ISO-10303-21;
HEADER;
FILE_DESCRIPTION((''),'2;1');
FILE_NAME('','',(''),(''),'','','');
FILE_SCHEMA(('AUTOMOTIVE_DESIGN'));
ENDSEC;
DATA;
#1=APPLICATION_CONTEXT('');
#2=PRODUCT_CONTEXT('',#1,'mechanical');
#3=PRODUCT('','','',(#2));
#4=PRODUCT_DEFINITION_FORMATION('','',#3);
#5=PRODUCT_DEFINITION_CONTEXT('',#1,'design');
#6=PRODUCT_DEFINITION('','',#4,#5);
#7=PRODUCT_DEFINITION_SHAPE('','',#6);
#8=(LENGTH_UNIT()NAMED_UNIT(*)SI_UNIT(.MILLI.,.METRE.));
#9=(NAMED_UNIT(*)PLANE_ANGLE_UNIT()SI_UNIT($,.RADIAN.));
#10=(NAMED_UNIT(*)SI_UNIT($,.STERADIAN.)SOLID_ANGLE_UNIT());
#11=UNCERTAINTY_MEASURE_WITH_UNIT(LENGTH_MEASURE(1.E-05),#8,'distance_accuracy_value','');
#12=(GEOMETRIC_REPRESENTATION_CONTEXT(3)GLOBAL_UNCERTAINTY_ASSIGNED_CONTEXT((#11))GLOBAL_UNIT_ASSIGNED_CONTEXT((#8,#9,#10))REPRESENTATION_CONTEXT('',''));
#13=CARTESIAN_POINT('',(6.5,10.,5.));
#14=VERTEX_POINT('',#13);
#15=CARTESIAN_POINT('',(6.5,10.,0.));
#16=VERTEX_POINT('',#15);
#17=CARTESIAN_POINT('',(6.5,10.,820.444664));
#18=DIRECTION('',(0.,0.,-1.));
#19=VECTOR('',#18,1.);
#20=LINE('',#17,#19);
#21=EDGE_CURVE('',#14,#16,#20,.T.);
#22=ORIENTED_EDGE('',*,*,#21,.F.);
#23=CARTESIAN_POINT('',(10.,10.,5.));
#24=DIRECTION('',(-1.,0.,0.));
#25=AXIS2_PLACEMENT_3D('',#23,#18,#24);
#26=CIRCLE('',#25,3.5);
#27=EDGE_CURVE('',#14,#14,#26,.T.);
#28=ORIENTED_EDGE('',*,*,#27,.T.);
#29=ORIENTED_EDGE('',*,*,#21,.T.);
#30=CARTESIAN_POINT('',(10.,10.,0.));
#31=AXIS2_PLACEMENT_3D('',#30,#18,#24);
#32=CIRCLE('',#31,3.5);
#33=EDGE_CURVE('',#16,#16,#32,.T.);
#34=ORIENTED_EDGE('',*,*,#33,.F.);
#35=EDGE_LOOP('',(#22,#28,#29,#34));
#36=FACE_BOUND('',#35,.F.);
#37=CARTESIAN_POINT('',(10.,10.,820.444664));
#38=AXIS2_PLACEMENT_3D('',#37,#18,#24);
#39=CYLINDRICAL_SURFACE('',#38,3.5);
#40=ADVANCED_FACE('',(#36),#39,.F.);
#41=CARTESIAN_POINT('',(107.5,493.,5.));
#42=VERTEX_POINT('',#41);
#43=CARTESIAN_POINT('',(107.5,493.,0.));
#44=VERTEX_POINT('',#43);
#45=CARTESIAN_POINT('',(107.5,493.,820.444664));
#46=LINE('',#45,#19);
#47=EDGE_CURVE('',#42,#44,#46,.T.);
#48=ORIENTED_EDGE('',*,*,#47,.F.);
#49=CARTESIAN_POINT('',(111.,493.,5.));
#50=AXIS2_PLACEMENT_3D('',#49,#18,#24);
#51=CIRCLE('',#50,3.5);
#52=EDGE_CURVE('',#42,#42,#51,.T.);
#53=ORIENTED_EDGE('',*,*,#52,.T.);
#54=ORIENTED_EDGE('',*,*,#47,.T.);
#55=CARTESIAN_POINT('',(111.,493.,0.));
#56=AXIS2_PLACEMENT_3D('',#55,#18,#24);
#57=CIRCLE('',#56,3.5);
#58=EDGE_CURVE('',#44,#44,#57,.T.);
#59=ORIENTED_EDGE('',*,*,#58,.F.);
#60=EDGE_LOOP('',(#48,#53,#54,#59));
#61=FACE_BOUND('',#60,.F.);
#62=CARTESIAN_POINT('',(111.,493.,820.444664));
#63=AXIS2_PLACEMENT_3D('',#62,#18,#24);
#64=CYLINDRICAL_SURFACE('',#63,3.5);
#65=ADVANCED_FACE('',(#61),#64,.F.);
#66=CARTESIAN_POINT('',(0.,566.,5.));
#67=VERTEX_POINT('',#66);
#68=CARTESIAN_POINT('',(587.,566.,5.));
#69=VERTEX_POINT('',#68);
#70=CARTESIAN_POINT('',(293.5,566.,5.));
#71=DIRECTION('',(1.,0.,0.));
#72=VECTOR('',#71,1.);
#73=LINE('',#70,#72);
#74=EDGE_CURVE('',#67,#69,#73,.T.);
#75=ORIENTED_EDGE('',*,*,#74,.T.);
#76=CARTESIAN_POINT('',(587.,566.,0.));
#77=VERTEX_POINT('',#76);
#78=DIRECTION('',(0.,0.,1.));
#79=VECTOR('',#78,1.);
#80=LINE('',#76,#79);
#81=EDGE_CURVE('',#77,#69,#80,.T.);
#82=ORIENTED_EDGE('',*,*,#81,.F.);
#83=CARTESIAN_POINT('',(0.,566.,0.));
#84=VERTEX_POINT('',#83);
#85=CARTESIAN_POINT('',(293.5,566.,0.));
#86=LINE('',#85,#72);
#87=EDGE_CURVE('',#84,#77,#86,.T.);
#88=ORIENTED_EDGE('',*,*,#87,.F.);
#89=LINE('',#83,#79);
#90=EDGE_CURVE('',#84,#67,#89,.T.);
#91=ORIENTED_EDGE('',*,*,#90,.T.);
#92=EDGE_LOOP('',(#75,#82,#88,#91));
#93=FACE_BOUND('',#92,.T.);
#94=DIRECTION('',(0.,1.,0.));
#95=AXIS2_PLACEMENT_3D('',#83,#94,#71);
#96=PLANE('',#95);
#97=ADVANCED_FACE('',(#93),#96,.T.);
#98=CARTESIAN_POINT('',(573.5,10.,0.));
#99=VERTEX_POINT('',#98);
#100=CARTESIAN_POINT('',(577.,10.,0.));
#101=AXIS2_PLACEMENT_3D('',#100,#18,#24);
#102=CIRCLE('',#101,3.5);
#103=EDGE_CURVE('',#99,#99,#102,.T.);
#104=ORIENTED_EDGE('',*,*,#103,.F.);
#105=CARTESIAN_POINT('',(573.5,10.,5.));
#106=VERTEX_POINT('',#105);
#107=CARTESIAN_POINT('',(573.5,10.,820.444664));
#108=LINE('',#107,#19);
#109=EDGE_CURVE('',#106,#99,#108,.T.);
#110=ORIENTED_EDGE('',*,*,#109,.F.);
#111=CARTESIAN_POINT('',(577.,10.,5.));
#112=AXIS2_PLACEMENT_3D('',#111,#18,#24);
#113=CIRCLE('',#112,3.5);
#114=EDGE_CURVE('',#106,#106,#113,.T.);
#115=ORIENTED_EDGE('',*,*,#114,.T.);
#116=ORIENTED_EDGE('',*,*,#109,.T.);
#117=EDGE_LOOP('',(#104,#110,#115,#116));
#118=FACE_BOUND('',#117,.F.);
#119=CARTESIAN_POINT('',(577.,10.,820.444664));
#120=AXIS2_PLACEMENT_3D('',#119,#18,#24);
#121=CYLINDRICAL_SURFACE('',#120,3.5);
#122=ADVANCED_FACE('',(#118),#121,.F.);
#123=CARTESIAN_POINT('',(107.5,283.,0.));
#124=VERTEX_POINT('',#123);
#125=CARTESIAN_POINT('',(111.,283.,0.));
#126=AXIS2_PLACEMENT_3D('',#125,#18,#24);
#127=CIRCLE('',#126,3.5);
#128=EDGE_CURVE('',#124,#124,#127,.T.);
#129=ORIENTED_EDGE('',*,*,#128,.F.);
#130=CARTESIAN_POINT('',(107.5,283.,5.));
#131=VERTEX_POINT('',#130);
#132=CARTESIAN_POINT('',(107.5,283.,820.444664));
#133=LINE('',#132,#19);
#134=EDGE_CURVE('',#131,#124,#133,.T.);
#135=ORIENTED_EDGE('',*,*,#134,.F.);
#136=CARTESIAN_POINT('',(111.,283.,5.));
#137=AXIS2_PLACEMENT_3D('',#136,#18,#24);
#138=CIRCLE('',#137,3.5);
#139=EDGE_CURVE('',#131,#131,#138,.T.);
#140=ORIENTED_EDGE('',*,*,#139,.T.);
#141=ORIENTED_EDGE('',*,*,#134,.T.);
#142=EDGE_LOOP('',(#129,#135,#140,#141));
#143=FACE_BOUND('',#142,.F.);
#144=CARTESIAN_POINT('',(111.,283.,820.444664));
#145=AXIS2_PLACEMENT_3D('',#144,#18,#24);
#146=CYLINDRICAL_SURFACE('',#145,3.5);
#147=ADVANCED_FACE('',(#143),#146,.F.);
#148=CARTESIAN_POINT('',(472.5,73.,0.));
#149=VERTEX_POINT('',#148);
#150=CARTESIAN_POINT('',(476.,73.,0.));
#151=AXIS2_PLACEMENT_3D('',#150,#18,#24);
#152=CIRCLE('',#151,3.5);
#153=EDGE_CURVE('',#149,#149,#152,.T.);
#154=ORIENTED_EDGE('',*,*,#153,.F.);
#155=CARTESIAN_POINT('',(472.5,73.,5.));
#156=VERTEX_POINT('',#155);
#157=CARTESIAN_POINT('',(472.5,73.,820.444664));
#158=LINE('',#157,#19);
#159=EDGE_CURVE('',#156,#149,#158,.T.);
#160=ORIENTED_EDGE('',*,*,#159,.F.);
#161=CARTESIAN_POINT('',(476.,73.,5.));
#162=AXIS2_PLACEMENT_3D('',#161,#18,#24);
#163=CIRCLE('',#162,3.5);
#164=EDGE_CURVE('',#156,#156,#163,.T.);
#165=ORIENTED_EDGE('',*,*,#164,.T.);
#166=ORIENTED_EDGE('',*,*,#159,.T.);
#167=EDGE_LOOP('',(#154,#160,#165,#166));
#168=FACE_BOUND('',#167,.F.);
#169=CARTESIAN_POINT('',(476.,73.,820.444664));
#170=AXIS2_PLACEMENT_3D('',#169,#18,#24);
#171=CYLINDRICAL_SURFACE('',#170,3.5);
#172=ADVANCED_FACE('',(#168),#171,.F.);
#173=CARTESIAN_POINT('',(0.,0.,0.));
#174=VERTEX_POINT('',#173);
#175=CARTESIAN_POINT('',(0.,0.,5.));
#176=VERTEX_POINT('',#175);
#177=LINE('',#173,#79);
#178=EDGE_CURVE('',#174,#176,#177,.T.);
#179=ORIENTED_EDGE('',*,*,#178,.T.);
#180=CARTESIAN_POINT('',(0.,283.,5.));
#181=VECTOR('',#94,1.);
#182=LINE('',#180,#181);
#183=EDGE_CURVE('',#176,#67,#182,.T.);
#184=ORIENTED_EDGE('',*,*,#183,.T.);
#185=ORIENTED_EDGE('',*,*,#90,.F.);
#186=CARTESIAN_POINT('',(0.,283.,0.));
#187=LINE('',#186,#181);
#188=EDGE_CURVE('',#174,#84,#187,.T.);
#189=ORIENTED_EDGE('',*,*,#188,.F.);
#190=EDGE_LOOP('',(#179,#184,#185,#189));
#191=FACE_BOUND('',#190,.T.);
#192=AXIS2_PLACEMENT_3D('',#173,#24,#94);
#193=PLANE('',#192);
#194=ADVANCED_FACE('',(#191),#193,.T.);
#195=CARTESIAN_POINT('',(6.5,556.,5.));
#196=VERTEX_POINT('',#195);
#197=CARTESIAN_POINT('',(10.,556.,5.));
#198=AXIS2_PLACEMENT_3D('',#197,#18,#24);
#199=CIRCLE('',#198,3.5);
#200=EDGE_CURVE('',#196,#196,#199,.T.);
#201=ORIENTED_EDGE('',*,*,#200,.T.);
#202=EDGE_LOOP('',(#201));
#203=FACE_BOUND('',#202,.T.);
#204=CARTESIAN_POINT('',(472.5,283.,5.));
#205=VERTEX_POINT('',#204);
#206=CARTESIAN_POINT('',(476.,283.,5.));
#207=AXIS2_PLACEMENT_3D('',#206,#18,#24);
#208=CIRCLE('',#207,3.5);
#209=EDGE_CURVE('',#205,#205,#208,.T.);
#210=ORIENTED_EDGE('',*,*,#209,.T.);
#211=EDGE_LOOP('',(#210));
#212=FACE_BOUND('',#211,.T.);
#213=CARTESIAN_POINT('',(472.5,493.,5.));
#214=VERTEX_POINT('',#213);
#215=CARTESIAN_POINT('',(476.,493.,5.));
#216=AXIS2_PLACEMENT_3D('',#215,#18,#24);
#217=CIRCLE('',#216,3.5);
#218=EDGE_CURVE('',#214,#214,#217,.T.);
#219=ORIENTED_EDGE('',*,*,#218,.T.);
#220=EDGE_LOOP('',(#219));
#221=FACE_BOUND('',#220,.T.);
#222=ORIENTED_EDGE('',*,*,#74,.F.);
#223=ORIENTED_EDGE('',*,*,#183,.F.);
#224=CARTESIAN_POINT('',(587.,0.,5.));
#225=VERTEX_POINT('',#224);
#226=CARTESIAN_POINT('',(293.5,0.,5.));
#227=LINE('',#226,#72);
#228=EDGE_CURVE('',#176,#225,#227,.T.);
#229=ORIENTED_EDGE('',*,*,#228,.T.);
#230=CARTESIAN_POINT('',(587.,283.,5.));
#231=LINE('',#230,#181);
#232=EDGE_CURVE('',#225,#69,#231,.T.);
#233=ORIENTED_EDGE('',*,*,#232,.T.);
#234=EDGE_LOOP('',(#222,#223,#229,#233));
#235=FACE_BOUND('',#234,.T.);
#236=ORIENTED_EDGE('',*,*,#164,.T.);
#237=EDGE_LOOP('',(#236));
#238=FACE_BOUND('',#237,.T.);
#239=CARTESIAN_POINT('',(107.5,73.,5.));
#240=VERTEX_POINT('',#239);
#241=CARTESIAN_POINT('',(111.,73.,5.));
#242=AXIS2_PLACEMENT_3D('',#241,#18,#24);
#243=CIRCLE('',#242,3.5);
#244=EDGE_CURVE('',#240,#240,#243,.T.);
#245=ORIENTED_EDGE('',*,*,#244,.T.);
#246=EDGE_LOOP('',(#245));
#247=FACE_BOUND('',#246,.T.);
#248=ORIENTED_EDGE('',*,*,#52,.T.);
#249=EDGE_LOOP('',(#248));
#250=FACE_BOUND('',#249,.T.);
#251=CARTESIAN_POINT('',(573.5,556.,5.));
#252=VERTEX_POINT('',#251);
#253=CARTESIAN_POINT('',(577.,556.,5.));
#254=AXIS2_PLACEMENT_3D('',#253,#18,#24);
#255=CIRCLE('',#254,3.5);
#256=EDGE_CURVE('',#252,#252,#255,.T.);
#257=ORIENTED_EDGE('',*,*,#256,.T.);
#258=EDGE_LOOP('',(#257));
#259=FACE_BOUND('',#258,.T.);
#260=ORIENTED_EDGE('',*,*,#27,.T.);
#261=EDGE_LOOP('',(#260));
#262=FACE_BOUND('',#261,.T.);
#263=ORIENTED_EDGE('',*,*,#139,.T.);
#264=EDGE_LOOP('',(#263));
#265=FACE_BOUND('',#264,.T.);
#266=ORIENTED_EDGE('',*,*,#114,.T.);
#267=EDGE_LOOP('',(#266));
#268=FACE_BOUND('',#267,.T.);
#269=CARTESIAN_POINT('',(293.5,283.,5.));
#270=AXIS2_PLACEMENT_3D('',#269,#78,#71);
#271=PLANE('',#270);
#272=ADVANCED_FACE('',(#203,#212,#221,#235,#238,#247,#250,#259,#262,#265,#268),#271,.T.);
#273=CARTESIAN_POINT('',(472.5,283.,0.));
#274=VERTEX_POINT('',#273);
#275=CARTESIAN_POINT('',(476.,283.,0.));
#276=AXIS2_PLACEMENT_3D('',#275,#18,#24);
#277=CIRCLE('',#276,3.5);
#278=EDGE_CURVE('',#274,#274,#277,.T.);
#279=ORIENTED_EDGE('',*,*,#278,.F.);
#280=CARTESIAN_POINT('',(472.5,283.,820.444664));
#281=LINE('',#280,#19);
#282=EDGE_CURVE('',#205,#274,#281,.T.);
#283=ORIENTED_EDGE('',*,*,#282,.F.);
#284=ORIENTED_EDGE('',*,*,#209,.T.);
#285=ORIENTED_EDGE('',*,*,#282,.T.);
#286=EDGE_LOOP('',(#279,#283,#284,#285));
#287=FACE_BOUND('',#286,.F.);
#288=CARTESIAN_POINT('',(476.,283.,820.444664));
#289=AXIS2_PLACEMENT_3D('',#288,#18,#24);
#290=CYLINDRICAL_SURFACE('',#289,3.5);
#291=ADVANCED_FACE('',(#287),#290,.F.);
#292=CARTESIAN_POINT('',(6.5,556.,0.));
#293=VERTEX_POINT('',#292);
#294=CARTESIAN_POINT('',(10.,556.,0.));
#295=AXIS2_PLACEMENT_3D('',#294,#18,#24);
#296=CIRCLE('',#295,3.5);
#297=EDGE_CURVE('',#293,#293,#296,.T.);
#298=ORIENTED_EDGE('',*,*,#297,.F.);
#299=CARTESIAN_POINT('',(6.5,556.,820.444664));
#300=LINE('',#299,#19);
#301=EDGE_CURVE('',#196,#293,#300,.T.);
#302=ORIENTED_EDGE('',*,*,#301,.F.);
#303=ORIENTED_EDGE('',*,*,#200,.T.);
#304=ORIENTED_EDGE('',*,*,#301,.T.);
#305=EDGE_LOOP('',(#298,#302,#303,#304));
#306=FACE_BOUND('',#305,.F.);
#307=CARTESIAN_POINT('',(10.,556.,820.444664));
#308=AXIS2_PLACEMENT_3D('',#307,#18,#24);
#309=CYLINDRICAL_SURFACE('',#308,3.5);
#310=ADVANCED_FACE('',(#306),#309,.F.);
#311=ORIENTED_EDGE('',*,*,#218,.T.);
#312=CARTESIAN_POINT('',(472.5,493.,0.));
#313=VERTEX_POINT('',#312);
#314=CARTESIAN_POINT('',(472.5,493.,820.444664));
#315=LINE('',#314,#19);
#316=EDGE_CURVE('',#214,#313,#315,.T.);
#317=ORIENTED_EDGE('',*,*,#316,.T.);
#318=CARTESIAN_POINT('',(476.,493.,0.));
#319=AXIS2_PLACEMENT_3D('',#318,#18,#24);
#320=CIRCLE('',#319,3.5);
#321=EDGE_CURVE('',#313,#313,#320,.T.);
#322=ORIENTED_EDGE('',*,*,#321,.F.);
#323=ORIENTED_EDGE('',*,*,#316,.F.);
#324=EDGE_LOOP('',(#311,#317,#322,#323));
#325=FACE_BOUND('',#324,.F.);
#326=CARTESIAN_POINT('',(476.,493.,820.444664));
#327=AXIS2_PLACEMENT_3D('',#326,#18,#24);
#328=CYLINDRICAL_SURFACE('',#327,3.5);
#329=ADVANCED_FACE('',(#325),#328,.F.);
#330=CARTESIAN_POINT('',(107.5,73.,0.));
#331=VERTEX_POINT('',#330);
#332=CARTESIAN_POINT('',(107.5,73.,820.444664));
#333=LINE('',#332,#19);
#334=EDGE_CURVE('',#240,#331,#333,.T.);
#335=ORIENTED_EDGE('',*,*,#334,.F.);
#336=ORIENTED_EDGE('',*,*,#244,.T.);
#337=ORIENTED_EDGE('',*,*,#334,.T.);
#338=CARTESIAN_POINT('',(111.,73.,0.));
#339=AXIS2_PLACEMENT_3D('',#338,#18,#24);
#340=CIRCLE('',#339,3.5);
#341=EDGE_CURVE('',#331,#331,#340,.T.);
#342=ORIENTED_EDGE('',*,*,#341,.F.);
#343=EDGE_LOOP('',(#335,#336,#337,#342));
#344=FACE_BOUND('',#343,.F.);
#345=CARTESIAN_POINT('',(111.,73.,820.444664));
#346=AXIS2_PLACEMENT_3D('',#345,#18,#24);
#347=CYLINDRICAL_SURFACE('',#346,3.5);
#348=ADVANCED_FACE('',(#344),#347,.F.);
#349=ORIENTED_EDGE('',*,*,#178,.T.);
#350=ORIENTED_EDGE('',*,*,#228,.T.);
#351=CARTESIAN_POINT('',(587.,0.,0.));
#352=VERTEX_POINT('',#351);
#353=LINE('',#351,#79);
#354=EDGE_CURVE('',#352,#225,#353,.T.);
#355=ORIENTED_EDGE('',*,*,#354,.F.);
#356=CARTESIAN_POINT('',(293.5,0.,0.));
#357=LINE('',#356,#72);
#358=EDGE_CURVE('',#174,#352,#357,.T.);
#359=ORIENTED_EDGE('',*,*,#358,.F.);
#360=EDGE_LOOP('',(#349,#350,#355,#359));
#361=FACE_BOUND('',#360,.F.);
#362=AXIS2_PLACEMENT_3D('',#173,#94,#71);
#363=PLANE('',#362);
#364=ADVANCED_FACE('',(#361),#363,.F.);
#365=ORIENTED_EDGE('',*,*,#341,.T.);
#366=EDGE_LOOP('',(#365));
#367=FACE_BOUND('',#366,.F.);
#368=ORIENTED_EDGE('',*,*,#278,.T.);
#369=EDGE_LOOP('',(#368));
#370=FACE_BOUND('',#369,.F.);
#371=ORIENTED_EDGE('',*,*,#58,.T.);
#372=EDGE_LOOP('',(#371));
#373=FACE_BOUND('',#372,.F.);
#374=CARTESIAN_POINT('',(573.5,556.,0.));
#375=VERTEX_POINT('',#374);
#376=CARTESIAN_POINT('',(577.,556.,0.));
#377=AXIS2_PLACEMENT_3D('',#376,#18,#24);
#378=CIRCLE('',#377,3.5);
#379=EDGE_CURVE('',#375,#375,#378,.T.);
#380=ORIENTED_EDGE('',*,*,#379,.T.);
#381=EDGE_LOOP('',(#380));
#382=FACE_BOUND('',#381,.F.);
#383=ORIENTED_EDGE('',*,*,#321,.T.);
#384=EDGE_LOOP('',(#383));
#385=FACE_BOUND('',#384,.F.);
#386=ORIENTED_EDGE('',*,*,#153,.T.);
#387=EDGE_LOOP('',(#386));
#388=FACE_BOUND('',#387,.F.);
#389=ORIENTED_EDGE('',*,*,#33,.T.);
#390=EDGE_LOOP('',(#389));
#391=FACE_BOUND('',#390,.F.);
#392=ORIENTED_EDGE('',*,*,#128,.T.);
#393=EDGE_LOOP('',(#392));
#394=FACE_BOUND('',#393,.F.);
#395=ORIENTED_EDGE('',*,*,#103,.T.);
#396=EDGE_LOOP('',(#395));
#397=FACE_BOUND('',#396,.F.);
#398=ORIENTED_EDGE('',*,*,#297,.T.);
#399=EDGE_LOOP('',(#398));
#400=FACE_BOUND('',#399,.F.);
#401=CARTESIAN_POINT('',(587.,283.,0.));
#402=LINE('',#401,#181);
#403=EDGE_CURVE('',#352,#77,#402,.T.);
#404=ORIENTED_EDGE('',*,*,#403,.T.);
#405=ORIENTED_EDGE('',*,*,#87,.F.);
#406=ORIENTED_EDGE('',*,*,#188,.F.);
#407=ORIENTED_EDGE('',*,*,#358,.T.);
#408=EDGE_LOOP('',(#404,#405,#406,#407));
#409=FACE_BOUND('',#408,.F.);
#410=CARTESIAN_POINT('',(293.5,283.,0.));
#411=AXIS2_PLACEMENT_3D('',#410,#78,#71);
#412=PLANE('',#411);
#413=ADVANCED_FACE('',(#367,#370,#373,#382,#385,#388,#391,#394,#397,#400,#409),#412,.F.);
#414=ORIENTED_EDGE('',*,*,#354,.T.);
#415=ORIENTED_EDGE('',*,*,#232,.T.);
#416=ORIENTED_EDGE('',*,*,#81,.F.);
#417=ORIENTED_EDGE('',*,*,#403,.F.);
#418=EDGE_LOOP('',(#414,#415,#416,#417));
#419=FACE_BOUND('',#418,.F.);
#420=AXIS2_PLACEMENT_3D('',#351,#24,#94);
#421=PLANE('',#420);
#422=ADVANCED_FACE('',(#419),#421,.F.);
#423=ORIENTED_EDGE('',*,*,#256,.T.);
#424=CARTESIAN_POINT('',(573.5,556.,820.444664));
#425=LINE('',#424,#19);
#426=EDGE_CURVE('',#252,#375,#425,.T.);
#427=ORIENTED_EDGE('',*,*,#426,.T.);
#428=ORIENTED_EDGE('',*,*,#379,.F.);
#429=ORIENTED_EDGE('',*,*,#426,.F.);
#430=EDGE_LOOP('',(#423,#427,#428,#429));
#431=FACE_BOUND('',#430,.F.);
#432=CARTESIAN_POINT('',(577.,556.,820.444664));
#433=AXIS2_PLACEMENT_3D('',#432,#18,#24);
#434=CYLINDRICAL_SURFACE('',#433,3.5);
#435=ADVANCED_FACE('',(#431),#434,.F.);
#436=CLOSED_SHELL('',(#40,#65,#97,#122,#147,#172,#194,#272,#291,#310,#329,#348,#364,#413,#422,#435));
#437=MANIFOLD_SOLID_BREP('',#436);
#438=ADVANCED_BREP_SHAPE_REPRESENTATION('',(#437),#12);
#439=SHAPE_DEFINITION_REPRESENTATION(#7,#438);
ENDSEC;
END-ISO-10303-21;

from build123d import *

# Parameters (mm, degrees)
F0_W     = 587
F0_H     = 566
F1_DEPTH = 5
F3_D     = 7
F5_D     = 7


with BuildPart() as f1:
    # F0 (on Top) → F1 (new body)
    with BuildSketch(Plane.XY):
        with Locations((293.5, 283)):
            Rectangle(F0_W, F0_H)
    extrude(amount=F1_DEPTH)

    # F3 (through all)
    with Locations(Plane.XY.offset(5)):
        with Locations((10, 556), (577, 556), (577, 10), (10, 10)):
            Hole(F3_D / 2)

    # F5 (through all)
    with Locations(Plane.XY.offset(5)):
        with Locations((111, 493), (476, 493), (111, 283), (476, 283), (111, 73), (476, 73)):
            Hole(F5_D / 2)


solid = f1.part
